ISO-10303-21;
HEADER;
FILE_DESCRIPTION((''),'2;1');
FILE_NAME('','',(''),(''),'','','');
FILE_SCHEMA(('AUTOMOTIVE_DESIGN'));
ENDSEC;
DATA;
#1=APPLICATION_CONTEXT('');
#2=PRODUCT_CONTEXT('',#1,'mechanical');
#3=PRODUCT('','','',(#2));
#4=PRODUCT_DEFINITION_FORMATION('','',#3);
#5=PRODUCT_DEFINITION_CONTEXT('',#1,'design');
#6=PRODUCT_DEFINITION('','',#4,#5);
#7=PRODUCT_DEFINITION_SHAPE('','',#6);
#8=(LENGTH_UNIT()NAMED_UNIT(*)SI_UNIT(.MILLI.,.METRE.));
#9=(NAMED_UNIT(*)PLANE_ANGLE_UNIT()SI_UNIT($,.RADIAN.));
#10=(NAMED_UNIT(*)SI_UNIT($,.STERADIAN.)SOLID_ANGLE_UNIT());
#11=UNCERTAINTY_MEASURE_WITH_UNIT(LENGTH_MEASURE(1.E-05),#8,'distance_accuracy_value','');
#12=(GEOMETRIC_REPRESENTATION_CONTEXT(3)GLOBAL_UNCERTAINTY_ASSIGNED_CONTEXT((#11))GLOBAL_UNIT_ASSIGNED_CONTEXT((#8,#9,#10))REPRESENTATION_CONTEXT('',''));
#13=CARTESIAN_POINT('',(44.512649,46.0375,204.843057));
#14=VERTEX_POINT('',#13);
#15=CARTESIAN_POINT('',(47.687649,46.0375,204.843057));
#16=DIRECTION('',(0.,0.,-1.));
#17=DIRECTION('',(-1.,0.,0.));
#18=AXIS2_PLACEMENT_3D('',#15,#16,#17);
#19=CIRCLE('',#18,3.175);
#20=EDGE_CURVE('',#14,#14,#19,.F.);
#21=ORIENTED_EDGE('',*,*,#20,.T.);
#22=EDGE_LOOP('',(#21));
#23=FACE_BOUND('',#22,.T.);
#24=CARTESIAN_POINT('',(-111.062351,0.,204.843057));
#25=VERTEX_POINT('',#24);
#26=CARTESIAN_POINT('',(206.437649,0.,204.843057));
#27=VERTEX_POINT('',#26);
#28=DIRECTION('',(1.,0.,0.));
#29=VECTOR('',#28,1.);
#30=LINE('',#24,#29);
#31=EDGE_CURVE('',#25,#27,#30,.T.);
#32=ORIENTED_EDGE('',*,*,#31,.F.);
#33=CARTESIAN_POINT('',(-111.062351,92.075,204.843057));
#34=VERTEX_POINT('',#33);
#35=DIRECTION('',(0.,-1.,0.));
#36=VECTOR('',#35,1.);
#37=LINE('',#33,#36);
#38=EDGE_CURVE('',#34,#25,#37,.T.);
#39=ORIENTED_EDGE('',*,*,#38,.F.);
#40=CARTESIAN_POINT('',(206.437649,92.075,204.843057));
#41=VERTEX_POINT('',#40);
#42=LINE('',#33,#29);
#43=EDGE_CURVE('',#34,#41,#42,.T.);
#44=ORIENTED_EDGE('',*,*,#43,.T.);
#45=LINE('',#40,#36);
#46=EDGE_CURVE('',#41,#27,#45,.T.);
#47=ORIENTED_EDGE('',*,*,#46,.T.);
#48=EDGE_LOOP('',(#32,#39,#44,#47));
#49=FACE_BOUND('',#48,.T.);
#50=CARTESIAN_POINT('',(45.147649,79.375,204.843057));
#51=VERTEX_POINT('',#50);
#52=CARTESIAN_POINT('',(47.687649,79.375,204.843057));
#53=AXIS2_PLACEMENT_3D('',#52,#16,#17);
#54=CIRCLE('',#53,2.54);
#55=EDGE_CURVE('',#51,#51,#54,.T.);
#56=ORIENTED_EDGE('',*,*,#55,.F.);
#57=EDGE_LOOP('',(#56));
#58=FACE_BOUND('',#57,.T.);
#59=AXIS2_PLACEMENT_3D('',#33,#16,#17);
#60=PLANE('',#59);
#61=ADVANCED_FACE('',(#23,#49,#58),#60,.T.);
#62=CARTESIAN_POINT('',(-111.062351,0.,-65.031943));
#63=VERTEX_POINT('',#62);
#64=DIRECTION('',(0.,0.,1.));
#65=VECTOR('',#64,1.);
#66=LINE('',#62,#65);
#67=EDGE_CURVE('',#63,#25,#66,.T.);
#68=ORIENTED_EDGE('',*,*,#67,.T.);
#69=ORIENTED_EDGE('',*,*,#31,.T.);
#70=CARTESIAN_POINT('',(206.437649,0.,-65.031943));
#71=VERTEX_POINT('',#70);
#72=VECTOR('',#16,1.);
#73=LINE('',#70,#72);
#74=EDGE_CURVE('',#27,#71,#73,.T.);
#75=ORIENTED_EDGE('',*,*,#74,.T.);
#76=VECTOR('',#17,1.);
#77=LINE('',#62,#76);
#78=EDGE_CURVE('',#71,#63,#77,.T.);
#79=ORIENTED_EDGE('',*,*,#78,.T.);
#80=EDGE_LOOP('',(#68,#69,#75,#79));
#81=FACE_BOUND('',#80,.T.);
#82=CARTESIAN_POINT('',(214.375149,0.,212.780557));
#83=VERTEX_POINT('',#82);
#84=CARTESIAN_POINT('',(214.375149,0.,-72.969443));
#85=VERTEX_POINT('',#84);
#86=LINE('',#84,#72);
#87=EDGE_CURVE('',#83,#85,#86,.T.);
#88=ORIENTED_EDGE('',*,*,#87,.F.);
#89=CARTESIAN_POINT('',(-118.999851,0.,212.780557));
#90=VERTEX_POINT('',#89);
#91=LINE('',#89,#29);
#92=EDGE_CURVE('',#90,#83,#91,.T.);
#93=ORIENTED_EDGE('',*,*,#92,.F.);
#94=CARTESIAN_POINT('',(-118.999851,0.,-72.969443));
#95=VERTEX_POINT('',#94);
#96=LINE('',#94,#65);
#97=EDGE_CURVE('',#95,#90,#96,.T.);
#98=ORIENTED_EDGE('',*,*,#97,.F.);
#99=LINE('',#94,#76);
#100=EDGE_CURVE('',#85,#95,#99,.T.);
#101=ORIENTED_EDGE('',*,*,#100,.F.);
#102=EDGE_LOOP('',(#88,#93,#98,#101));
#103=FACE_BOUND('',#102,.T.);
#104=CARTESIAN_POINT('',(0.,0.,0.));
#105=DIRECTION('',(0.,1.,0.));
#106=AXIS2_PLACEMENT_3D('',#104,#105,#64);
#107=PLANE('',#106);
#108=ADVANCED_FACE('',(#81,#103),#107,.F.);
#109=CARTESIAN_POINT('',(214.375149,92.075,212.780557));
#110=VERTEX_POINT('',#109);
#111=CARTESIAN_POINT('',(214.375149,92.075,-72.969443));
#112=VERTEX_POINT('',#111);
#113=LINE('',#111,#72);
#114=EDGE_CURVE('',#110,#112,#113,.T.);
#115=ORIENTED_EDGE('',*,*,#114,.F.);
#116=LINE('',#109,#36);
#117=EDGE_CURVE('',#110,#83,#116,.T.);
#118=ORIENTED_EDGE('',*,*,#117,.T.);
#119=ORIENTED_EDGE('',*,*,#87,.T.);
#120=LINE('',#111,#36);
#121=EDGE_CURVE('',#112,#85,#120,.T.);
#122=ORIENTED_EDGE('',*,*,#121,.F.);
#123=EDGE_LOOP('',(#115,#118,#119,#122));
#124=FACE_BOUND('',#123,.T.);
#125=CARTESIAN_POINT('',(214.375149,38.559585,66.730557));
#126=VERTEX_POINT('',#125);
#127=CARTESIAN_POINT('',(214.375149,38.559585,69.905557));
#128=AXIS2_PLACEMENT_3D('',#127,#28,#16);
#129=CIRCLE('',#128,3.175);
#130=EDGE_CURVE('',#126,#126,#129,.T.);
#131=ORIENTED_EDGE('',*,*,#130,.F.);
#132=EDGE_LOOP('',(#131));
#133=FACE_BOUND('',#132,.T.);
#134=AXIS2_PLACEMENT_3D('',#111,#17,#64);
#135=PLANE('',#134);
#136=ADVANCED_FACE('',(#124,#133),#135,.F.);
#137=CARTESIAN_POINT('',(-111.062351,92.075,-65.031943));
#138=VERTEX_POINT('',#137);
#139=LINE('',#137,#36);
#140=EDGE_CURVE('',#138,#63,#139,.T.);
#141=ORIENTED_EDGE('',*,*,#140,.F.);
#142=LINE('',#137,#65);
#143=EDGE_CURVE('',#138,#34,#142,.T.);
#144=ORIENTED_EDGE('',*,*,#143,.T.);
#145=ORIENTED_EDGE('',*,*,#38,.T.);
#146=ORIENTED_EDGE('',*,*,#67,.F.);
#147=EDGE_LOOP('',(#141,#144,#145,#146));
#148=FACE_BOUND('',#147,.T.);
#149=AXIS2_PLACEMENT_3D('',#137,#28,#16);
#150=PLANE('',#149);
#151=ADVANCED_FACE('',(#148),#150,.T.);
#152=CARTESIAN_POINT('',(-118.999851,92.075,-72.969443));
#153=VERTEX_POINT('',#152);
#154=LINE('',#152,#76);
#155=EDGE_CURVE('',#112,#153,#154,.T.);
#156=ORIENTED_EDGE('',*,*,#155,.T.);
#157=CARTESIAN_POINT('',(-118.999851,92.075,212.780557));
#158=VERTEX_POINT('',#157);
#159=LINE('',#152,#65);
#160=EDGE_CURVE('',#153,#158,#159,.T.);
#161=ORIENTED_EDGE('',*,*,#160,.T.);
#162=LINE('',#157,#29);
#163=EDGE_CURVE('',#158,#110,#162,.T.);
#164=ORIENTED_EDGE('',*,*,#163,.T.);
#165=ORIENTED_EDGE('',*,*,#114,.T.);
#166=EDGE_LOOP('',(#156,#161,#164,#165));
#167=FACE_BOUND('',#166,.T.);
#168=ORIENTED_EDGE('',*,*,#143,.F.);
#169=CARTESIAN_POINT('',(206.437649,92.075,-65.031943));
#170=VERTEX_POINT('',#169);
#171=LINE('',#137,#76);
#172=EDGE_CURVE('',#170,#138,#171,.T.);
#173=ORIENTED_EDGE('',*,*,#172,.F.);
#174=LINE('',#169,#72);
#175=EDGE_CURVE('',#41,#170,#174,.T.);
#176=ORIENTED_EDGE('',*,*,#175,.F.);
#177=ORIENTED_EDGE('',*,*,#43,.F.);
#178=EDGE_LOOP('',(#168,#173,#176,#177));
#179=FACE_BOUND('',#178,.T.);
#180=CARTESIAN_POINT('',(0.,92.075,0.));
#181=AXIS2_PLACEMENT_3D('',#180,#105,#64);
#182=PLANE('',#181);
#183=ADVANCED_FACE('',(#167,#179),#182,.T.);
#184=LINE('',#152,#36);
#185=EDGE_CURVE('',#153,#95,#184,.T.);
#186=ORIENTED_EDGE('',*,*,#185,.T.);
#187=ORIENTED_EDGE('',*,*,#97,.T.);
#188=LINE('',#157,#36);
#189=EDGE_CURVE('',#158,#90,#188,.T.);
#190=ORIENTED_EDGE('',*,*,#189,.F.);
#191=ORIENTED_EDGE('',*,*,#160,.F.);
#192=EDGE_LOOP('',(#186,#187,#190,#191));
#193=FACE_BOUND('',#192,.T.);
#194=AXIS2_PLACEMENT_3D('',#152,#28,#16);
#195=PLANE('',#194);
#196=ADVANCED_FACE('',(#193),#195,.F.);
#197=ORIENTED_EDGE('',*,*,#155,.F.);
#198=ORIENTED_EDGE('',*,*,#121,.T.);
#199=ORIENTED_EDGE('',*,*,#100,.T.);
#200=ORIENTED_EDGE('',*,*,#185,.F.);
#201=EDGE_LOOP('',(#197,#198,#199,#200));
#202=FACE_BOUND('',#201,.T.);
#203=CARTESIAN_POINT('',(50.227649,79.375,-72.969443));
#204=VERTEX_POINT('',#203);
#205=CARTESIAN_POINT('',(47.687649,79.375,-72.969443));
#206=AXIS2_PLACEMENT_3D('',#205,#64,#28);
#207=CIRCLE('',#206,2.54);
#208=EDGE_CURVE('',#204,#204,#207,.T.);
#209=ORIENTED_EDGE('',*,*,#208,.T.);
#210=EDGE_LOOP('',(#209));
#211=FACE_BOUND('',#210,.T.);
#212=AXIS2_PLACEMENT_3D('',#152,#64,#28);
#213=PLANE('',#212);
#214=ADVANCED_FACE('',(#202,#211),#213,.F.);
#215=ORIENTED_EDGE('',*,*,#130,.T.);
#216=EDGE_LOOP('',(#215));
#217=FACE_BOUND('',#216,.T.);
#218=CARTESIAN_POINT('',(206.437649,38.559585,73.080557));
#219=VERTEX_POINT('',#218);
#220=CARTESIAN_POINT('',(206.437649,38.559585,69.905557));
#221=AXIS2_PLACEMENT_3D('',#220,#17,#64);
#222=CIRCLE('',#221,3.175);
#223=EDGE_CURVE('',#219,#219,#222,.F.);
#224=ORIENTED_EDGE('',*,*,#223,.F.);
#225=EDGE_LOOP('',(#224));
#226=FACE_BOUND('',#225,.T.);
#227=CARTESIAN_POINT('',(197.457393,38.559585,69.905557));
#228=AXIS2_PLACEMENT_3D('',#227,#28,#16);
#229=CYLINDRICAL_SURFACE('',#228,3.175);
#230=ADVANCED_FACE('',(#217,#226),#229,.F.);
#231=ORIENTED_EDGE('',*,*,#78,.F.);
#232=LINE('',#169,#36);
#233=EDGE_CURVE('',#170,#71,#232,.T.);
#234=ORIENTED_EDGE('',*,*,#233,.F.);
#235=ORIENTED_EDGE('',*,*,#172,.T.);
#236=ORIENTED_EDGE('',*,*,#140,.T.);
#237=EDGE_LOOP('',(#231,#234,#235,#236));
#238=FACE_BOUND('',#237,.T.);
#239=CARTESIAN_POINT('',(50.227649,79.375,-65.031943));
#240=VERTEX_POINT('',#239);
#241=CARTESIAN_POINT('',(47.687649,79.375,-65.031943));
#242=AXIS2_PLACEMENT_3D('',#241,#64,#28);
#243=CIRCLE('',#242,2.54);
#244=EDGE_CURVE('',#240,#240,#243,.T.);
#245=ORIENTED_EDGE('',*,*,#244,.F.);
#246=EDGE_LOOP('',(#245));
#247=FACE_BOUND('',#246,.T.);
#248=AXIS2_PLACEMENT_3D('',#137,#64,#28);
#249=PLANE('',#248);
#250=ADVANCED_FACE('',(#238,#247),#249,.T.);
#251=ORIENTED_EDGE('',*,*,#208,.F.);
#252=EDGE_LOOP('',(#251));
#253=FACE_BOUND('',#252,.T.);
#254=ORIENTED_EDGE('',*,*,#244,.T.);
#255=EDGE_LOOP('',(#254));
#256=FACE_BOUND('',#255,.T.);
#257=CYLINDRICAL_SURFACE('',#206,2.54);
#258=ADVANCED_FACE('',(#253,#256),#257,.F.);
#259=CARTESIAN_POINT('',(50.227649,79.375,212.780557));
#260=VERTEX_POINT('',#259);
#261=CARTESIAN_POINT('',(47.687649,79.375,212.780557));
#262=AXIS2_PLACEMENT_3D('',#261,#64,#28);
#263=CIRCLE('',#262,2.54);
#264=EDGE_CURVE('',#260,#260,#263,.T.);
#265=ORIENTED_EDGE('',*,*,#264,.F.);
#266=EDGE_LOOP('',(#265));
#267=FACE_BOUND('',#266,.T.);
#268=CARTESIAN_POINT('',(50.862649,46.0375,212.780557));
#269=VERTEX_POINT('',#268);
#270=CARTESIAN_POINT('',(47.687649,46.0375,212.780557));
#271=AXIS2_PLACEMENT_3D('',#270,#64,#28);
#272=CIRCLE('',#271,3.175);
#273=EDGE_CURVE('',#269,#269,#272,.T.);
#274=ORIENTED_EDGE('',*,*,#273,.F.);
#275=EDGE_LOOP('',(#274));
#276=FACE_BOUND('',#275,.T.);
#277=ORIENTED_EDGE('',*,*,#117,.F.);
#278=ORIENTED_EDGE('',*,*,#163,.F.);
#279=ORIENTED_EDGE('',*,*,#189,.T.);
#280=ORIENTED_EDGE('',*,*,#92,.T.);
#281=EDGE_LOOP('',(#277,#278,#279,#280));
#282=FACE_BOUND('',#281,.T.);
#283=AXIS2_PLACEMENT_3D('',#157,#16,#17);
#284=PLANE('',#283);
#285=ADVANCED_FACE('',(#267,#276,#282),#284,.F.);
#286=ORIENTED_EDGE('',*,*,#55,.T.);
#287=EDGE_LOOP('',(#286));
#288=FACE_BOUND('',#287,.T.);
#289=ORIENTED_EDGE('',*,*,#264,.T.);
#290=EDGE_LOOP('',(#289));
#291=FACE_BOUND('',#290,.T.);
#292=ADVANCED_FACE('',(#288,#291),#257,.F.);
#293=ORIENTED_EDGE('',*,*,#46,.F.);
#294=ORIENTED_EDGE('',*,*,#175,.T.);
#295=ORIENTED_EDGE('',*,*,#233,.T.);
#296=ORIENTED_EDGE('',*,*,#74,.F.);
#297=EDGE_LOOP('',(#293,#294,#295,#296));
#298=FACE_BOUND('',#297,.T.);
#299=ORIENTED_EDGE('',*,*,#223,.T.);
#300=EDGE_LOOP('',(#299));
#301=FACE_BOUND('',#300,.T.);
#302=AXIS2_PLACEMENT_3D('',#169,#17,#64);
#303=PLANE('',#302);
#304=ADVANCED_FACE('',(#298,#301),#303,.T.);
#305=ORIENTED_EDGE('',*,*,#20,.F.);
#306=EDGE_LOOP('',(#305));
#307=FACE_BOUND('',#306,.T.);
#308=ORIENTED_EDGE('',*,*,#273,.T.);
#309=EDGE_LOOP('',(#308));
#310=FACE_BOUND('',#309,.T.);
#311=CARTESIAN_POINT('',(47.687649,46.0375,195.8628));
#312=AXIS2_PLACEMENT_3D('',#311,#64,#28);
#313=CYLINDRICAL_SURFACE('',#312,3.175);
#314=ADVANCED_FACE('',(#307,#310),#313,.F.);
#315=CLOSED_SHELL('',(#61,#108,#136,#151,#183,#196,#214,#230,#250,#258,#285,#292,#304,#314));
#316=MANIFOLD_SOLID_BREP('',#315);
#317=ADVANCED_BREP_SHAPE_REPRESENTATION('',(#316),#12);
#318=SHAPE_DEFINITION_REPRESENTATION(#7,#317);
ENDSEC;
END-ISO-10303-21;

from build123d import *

# Parameters (mm, degrees)
SKETCH1_W           = 333.375
SKETCH1_H           = 285.75
SKETCH1_W_2         = 317.5
SKETCH1_H_2         = 269.875
BOSS_EXTRUDE1_DEPTH = 92.075
SKETCH2_R           = 2.54
CUT_EXTRUDE1_DEPTH  = 369.90049146
SKETCH3_R           = 3.175
CUT_EXTRUDE2_DEPTH  = 7.9375
SKETCH4_R           = 3.175
CUT_EXTRUDE3_DEPTH  = 7.9375


with BuildPart() as part:
    # Sketch1 → Boss-Extrude1 (new body)
    with BuildSketch(Plane(origin=(0, 0, 0), x_dir=(1, 0, 0), z_dir=(0, 1, 0))):
        with Locations((47.68764892, -69.90555659)):
            Rectangle(SKETCH1_W, SKETCH1_H)
        with Locations((47.68764892, -69.90555659)):
            Rectangle(SKETCH1_W_2, SKETCH1_H_2, mode=Mode.SUBTRACT)
    extrude(amount=BOSS_EXTRUDE1_DEPTH)

    # Sketch2 → Cut-Extrude1 (cut, through all)
    with BuildSketch(Plane.XY.offset(212.78055659)):
        with Locations((47.68764892, 79.375)):
            Circle(SKETCH2_R)
    extrude(amount=-CUT_EXTRUDE1_DEPTH, mode=Mode.SUBTRACT)

    # Sketch3 → Cut-Extrude2 (cut)
    with BuildSketch(Plane.XY.offset(212.78055659)):
        with Locations((47.68764892, 46.0375)):
            Circle(SKETCH3_R)
    extrude(amount=-CUT_EXTRUDE2_DEPTH, mode=Mode.SUBTRACT)

    # Sketch4 → Cut-Extrude3 (cut)
    with BuildSketch(Plane(origin=(214.37514892, 0, 0), x_dir=(0, 0, -1), z_dir=(1, 0, 0))):
        with Locations((-69.90555659, 38.559584582)):
            Circle(SKETCH4_R)
    extrude(amount=-CUT_EXTRUDE3_DEPTH, mode=Mode.SUBTRACT)


solid = part.part
